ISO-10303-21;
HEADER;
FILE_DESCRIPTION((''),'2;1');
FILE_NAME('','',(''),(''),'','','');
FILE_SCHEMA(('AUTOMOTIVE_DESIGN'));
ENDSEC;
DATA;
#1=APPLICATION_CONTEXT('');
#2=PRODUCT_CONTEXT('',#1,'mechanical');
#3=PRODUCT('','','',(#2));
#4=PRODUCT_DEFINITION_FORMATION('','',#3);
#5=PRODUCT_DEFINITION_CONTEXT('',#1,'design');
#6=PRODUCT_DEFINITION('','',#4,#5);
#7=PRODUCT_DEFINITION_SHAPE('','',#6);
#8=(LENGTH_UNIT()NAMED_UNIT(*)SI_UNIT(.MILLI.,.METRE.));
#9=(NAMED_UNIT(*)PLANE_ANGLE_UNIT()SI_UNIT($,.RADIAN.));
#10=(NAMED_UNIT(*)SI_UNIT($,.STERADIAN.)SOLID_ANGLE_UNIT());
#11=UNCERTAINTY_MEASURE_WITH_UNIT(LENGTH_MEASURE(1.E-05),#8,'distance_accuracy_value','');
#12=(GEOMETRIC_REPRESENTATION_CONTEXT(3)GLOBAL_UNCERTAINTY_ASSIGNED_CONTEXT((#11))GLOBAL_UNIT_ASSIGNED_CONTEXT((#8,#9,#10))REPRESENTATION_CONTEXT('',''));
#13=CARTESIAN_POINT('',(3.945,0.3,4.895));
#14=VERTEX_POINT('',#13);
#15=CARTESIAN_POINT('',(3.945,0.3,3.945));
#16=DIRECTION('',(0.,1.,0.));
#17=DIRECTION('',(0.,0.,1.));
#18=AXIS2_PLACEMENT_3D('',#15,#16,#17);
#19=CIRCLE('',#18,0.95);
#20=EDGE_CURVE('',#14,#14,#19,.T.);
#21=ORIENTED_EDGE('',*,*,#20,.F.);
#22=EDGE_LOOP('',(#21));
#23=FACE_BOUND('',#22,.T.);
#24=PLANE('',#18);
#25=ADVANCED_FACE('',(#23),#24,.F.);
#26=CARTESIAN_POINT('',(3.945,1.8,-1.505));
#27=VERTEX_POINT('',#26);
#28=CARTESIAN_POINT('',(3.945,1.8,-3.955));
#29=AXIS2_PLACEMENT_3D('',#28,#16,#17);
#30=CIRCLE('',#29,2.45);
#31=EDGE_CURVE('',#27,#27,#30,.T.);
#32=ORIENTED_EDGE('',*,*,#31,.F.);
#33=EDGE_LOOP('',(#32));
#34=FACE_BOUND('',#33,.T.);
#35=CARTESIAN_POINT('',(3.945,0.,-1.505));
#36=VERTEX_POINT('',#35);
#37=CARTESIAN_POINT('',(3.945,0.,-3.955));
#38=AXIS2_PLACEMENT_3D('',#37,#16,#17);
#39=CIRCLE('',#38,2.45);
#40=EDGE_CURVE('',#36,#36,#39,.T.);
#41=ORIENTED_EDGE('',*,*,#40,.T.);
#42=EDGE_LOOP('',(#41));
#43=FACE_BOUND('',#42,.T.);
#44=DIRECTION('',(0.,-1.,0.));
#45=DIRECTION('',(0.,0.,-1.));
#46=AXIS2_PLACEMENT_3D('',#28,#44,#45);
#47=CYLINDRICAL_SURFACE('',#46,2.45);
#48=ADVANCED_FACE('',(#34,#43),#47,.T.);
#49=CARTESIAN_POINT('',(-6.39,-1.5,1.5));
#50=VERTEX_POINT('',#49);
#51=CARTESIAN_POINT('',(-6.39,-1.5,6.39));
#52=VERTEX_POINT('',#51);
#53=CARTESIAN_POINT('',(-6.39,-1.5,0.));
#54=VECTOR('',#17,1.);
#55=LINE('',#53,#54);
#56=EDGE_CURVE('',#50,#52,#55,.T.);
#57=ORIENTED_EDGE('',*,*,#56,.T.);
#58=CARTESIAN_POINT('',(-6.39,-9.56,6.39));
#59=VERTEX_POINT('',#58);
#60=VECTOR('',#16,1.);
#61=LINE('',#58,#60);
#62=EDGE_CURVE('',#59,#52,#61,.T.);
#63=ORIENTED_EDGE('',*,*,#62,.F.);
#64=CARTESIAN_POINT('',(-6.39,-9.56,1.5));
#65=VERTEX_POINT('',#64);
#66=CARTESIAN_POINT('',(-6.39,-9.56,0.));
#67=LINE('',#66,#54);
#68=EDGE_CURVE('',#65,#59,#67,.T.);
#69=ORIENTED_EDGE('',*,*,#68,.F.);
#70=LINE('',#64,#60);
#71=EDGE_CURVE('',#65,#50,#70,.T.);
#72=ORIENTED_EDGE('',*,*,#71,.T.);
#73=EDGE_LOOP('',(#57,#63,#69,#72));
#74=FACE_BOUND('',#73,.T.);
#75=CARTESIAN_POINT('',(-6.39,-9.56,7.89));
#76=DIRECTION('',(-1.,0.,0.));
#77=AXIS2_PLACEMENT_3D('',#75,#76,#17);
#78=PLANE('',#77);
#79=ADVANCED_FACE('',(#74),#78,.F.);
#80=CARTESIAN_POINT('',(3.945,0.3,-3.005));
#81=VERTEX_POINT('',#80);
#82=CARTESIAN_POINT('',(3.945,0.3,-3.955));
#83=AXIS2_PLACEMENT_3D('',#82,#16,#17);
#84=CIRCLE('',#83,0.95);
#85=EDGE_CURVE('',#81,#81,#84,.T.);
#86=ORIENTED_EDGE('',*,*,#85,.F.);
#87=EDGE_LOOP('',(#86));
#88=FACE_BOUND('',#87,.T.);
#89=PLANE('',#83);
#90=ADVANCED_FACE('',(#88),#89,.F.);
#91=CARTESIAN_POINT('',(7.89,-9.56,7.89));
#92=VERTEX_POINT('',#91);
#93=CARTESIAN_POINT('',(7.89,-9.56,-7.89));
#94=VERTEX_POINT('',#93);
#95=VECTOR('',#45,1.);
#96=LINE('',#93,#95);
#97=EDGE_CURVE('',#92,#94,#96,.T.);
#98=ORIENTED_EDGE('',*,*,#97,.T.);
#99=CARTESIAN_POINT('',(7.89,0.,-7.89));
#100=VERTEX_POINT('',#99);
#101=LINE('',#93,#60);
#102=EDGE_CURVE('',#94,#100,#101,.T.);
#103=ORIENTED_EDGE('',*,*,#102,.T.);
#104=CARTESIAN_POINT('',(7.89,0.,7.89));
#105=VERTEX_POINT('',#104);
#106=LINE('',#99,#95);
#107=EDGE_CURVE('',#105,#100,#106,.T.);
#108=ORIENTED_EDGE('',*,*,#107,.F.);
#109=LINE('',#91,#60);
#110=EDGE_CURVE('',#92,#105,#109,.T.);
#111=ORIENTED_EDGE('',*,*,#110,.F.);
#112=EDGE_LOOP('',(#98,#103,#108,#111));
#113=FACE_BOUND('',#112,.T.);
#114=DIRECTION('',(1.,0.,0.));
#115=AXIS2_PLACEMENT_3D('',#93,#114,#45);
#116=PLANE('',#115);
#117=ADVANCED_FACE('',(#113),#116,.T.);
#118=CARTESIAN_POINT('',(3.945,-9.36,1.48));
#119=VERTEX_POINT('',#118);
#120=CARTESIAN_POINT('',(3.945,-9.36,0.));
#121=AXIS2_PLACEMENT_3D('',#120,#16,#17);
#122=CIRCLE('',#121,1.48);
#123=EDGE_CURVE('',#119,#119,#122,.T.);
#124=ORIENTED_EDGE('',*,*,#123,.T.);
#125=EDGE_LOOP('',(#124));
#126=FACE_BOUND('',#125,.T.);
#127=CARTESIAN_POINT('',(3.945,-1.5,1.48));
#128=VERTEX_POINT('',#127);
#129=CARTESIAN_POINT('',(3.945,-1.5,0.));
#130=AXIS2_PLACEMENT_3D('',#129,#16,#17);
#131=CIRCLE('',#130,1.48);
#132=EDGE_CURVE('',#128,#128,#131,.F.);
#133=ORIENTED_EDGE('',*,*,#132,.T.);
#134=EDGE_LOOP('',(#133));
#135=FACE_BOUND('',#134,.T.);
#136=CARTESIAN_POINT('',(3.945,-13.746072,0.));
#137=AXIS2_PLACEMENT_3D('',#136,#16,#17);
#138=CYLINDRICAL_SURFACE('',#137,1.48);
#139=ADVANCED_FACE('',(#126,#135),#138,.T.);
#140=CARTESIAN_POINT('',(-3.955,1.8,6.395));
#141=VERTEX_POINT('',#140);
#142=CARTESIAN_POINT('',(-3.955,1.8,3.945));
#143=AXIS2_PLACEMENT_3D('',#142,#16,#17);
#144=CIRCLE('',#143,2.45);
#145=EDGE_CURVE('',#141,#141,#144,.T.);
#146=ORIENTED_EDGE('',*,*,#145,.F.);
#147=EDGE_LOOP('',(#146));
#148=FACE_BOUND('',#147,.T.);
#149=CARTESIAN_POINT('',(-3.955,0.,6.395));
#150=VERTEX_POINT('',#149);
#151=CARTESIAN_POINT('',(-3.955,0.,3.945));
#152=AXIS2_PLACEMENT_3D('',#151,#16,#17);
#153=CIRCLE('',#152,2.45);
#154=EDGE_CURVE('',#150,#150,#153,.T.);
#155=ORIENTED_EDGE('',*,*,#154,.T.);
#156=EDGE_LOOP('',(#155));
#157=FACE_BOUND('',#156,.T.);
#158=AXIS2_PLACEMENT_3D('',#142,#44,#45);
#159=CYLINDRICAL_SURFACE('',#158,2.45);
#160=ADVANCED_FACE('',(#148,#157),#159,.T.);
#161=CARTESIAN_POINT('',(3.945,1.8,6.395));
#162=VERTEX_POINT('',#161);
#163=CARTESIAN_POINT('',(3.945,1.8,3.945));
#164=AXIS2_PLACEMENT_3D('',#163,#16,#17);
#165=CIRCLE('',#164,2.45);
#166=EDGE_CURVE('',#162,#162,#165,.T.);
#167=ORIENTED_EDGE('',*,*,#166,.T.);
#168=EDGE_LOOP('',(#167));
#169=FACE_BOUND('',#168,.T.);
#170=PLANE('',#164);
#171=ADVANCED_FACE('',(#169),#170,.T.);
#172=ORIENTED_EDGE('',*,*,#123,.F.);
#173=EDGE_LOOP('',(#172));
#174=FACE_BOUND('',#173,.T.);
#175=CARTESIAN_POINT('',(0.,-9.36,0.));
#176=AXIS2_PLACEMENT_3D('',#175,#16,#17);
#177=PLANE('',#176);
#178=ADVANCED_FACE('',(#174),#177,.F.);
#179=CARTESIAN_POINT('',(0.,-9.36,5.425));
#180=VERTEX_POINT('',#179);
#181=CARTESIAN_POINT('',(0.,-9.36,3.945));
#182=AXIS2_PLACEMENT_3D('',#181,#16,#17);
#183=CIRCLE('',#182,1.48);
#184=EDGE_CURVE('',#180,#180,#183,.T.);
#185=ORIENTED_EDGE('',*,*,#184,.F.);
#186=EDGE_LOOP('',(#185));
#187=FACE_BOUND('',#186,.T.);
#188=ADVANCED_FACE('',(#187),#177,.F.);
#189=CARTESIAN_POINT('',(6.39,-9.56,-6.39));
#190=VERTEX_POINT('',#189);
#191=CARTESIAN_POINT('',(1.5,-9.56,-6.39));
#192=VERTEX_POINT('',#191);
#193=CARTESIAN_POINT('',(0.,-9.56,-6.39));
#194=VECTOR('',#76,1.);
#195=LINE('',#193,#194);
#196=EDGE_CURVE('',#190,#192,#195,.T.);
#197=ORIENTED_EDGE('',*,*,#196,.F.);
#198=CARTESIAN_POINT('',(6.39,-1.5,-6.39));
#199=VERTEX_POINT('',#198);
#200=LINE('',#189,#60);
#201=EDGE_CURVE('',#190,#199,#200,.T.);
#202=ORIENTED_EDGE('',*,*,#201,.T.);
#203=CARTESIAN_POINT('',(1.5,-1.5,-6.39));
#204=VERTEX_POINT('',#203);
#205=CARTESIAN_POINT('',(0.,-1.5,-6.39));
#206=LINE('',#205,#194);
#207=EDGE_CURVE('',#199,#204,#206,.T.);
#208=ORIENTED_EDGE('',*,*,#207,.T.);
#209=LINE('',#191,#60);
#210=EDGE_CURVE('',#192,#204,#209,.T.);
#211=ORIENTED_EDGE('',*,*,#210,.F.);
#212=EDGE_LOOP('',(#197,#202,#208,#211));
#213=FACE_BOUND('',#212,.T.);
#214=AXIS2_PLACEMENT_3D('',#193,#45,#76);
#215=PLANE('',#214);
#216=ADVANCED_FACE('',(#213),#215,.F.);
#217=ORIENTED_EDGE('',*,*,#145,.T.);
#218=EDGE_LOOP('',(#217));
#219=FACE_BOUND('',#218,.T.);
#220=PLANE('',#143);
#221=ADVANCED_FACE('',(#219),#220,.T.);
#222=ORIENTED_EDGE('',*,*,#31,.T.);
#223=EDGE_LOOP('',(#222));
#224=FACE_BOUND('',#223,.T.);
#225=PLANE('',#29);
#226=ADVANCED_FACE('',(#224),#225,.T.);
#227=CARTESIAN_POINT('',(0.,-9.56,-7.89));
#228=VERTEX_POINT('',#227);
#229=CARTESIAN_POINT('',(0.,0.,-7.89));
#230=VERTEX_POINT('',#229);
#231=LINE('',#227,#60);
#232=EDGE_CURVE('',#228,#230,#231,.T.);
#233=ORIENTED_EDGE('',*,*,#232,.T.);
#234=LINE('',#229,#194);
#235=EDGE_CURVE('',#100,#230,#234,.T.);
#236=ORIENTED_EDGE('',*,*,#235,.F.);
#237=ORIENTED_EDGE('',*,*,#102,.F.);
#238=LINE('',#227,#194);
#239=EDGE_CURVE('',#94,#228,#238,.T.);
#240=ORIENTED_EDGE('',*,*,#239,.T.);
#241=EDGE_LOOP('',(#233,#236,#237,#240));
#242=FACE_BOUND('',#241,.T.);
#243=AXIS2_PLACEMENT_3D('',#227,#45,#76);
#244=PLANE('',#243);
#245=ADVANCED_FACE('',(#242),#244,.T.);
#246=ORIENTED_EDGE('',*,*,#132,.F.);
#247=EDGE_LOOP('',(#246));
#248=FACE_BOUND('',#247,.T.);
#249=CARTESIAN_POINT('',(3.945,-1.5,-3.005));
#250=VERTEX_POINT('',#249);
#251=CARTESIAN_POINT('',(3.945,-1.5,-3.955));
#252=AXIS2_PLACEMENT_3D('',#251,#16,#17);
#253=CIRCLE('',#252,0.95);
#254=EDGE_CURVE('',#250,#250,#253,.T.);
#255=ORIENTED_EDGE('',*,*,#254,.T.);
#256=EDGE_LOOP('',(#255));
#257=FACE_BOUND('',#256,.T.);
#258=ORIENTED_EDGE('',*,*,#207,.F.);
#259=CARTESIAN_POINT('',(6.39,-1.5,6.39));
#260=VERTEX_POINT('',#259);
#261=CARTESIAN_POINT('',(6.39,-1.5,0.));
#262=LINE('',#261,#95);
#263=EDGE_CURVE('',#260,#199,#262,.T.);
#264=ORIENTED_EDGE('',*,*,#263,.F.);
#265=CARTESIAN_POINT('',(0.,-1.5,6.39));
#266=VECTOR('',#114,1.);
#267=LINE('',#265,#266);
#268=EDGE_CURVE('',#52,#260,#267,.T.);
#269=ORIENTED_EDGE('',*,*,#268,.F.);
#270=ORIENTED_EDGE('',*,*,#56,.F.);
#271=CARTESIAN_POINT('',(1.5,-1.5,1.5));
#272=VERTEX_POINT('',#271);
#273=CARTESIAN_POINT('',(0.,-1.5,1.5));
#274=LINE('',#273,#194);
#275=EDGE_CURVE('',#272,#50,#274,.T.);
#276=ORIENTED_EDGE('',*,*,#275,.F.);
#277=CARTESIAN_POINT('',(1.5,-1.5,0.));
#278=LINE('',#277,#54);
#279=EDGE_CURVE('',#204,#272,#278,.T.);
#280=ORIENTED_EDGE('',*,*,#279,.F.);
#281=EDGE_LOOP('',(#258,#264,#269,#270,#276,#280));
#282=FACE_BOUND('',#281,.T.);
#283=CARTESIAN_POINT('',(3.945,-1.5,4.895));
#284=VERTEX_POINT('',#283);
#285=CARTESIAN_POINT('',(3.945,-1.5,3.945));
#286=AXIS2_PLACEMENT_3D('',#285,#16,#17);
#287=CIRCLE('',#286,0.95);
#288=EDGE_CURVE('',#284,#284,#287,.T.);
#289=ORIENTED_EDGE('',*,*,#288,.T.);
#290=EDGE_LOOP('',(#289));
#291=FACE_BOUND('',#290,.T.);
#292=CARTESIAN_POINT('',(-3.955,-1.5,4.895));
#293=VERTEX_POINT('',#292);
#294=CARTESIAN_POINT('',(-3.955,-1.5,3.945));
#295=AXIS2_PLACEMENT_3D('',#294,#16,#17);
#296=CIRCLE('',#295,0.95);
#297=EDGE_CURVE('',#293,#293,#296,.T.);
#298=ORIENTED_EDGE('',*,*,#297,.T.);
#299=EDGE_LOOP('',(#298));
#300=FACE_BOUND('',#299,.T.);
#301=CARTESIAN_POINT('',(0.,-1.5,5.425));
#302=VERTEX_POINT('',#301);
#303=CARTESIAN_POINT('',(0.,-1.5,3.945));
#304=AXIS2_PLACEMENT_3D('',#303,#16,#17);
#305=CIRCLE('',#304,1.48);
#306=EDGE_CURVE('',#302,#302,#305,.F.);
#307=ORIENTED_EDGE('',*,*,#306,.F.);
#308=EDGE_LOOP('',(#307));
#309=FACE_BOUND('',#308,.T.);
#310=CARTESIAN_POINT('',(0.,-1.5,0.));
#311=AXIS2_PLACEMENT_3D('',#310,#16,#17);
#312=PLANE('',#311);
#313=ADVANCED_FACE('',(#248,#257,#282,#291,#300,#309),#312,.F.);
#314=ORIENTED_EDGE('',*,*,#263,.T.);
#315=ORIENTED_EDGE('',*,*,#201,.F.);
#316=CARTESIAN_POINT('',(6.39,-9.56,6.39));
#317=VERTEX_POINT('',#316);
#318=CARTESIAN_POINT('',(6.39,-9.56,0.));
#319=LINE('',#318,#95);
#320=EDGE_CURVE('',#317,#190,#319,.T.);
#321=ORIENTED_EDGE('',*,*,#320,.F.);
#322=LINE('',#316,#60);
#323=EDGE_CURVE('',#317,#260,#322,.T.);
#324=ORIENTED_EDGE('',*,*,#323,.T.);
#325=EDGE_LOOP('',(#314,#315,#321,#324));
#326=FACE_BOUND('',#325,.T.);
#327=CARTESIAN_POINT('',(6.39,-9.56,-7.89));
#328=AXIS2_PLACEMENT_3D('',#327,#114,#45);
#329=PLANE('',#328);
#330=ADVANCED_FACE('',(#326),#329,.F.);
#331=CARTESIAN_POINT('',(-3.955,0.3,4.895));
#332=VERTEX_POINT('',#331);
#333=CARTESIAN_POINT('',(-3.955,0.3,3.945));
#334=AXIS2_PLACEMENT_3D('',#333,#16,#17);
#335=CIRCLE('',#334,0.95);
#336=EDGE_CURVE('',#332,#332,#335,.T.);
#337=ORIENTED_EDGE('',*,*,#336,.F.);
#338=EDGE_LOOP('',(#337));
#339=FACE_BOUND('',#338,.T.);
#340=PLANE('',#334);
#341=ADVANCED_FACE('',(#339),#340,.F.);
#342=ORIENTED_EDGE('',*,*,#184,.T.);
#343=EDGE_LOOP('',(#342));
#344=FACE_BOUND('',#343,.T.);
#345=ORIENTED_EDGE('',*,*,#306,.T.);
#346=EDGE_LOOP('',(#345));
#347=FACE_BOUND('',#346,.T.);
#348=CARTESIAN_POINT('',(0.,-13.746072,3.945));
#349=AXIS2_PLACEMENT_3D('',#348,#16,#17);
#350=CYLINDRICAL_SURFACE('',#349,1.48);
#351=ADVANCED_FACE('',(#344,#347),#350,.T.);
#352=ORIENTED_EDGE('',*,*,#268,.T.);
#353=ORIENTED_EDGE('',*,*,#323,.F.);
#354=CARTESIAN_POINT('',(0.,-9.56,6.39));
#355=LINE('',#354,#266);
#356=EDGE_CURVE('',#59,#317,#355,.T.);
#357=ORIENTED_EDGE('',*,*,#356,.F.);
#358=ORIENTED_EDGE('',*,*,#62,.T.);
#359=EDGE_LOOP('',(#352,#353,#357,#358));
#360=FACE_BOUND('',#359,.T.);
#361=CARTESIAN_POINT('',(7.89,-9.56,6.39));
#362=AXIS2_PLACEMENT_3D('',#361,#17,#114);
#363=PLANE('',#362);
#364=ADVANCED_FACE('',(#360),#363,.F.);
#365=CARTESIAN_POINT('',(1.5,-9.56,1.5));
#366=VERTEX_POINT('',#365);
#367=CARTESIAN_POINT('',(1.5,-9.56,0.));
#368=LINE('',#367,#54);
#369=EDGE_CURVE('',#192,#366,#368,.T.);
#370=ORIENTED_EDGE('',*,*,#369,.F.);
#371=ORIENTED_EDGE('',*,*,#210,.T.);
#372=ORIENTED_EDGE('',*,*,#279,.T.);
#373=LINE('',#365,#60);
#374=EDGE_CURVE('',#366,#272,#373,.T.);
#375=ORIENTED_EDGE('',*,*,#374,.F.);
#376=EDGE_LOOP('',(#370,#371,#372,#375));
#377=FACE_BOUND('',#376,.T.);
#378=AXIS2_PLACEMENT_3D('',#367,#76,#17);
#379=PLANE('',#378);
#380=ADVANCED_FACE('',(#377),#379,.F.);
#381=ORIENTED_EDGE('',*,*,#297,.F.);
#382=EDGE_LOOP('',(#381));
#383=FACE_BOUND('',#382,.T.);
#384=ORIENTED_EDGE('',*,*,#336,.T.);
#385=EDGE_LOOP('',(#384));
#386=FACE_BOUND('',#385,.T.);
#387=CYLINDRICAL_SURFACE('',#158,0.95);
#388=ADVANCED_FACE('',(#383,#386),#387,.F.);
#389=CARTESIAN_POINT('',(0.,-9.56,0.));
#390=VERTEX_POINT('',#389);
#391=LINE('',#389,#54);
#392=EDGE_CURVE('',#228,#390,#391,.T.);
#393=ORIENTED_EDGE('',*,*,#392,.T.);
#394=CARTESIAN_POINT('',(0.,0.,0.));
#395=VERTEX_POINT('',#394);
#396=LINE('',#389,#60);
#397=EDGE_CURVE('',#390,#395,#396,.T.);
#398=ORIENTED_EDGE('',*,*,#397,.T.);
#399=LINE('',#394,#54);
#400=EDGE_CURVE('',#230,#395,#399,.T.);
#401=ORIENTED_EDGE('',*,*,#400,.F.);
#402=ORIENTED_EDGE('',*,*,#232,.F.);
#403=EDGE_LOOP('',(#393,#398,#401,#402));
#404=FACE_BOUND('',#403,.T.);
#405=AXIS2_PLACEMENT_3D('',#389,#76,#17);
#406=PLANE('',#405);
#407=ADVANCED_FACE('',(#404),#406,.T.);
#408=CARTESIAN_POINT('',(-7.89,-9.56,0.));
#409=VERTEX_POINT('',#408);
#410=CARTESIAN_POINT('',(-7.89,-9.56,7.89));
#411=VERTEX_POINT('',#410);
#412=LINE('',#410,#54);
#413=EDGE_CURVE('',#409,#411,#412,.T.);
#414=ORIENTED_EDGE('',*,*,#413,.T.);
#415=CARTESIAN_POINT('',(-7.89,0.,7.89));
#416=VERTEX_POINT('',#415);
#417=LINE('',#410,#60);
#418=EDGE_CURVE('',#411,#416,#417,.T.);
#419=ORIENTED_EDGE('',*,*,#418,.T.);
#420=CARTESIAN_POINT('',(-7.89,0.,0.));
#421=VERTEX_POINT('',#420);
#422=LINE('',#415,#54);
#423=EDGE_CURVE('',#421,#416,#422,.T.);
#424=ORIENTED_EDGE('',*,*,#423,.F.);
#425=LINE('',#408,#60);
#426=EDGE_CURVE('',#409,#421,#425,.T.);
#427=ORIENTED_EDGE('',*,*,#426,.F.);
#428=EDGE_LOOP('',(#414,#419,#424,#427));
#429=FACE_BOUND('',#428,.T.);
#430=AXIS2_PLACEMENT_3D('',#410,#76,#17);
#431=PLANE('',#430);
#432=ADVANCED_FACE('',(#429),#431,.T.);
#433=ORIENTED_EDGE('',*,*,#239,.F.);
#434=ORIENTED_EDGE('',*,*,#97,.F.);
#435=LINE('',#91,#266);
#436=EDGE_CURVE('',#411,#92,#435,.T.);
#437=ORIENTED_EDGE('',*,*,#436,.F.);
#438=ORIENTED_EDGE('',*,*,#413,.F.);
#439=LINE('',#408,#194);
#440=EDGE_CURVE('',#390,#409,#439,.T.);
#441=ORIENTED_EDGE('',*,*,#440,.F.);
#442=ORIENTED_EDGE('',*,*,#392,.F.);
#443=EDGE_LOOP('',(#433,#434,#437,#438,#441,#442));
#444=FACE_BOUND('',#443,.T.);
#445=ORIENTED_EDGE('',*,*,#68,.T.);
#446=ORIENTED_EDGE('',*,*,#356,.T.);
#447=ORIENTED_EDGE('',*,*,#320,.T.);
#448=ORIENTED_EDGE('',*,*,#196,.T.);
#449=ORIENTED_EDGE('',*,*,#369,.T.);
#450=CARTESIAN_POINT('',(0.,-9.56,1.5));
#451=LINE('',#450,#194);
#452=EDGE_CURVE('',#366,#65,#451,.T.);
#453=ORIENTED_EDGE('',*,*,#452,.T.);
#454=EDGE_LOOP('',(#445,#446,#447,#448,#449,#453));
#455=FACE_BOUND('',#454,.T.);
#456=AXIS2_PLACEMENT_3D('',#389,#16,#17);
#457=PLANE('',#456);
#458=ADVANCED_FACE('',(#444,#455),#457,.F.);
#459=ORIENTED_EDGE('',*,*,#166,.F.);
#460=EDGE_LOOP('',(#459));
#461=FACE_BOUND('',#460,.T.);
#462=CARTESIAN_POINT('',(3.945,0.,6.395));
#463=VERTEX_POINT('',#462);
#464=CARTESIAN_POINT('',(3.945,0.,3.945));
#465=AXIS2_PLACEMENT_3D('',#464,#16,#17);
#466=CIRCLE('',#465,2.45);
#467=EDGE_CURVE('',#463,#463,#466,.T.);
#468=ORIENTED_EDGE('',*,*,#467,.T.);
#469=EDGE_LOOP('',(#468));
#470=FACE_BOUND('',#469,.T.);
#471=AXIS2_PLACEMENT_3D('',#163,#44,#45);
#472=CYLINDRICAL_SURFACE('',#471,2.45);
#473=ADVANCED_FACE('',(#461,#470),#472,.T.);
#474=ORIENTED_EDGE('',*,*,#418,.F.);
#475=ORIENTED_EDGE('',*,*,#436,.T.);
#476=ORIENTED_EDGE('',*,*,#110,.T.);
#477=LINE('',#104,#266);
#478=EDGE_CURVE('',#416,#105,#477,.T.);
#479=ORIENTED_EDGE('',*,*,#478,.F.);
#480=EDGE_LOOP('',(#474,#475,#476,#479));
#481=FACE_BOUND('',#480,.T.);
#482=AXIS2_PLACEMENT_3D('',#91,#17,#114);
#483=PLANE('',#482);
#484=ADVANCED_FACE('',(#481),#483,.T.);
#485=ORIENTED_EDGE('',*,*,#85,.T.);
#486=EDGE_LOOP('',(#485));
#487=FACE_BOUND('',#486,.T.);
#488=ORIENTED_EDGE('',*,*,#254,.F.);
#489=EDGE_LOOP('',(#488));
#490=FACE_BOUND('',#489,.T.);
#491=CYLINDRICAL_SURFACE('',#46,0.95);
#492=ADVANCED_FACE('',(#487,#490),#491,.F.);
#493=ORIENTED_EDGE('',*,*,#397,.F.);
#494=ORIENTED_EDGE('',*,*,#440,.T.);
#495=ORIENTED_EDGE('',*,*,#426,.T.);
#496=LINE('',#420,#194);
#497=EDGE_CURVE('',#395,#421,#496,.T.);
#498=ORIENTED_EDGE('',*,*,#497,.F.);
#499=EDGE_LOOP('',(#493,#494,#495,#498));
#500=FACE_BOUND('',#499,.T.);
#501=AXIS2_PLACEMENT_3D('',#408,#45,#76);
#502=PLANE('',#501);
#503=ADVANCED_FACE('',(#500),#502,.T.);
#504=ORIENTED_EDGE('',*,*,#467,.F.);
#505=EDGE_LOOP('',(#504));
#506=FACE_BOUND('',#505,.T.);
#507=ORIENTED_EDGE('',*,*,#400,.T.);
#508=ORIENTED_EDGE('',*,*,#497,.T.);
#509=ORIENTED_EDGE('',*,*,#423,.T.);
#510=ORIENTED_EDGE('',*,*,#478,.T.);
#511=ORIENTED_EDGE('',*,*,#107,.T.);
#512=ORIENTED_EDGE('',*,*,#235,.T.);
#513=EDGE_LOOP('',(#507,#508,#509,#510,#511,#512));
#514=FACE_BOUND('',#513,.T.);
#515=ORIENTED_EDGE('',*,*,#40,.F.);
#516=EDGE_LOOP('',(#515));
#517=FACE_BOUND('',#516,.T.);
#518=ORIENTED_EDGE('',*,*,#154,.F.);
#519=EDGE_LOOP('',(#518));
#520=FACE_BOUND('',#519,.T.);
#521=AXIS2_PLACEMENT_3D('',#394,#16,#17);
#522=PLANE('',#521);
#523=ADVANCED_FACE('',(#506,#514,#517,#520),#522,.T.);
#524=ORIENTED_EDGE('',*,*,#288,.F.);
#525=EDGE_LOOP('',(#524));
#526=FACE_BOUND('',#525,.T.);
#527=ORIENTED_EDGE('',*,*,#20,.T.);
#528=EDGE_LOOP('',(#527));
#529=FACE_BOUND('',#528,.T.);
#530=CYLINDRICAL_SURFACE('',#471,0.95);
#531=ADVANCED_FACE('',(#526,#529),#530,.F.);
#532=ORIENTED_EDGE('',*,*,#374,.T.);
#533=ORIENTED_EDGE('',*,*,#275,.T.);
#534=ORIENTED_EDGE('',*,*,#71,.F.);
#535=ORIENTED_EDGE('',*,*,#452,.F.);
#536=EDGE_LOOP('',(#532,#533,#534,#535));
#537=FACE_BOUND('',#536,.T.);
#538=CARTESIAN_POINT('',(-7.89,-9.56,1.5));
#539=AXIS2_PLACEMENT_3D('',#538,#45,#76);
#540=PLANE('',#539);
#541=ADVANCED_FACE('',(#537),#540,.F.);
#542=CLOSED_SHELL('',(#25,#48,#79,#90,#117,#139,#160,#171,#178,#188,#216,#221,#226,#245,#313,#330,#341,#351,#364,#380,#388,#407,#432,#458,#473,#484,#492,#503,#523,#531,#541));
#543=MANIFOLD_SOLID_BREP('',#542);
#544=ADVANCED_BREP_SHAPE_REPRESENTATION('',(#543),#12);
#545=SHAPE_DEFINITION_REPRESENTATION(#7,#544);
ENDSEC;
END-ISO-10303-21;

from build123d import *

# Parameters (mm, degrees)
BOSS_EXTRUDE1_DEPTH = 9.56
SKETCH2_R           = 2.45
BOSS_EXTRUDE2_DEPTH = 1.8
SHELL1_T            = -1.5
SKETCH3_R           = 1.48
BOSS_EXTRUDE4_DEPTH = 7.86


with BuildPart() as part:
    # Sketch1 → Boss-Extrude1 (new body)
    with BuildSketch(Plane(origin=(0, 0, 0), x_dir=(1, 0, 0), z_dir=(0, 1, 0))):
        Polygon((0, 0), (0, 7.89), (7.89, 7.89), (7.89, -7.89), (-7.89, -7.89), (-7.89, 0), align=None)
    extrude(amount=-BOSS_EXTRUDE1_DEPTH)

    # Sketch2 → Boss-Extrude2 (add)
    with BuildSketch(Plane(origin=(0, 0, 0), x_dir=(1, 0, 0), z_dir=(0, 1, 0))):
        with Locations(Location((3.945, -3.945, 0), (0, 0, 270))):
            Circle(SKETCH2_R)
        with Locations(Location((3.945, 3.955, 0), (0, 0, 270))):
            Circle(SKETCH2_R)
        with Locations(Location((-3.955, -3.945, 0), (0, 0, 270))):
            Circle(SKETCH2_R)
    extrude(amount=BOSS_EXTRUDE2_DEPTH)

    # Shell1
    shell1_openings = [part.faces().sort_by_distance(p)[0] for p in [
        (1.315, -9.56, 1.315),
    ]]
    offset(amount=SHELL1_T, openings=shell1_openings, kind=Kind.INTERSECTION)

    # Sketch3 → Boss-Extrude4 (add)
    with BuildSketch(Plane.XZ.offset(1.5)):
        with Locations(Location((0, 3.945, 0), (0, 0, 90))):
            Circle(SKETCH3_R)
        with Locations(Location((3.945, 0, 0), (0, 0, 90))):
            Circle(SKETCH3_R)
    extrude(amount=BOSS_EXTRUDE4_DEPTH)


solid = part.part
